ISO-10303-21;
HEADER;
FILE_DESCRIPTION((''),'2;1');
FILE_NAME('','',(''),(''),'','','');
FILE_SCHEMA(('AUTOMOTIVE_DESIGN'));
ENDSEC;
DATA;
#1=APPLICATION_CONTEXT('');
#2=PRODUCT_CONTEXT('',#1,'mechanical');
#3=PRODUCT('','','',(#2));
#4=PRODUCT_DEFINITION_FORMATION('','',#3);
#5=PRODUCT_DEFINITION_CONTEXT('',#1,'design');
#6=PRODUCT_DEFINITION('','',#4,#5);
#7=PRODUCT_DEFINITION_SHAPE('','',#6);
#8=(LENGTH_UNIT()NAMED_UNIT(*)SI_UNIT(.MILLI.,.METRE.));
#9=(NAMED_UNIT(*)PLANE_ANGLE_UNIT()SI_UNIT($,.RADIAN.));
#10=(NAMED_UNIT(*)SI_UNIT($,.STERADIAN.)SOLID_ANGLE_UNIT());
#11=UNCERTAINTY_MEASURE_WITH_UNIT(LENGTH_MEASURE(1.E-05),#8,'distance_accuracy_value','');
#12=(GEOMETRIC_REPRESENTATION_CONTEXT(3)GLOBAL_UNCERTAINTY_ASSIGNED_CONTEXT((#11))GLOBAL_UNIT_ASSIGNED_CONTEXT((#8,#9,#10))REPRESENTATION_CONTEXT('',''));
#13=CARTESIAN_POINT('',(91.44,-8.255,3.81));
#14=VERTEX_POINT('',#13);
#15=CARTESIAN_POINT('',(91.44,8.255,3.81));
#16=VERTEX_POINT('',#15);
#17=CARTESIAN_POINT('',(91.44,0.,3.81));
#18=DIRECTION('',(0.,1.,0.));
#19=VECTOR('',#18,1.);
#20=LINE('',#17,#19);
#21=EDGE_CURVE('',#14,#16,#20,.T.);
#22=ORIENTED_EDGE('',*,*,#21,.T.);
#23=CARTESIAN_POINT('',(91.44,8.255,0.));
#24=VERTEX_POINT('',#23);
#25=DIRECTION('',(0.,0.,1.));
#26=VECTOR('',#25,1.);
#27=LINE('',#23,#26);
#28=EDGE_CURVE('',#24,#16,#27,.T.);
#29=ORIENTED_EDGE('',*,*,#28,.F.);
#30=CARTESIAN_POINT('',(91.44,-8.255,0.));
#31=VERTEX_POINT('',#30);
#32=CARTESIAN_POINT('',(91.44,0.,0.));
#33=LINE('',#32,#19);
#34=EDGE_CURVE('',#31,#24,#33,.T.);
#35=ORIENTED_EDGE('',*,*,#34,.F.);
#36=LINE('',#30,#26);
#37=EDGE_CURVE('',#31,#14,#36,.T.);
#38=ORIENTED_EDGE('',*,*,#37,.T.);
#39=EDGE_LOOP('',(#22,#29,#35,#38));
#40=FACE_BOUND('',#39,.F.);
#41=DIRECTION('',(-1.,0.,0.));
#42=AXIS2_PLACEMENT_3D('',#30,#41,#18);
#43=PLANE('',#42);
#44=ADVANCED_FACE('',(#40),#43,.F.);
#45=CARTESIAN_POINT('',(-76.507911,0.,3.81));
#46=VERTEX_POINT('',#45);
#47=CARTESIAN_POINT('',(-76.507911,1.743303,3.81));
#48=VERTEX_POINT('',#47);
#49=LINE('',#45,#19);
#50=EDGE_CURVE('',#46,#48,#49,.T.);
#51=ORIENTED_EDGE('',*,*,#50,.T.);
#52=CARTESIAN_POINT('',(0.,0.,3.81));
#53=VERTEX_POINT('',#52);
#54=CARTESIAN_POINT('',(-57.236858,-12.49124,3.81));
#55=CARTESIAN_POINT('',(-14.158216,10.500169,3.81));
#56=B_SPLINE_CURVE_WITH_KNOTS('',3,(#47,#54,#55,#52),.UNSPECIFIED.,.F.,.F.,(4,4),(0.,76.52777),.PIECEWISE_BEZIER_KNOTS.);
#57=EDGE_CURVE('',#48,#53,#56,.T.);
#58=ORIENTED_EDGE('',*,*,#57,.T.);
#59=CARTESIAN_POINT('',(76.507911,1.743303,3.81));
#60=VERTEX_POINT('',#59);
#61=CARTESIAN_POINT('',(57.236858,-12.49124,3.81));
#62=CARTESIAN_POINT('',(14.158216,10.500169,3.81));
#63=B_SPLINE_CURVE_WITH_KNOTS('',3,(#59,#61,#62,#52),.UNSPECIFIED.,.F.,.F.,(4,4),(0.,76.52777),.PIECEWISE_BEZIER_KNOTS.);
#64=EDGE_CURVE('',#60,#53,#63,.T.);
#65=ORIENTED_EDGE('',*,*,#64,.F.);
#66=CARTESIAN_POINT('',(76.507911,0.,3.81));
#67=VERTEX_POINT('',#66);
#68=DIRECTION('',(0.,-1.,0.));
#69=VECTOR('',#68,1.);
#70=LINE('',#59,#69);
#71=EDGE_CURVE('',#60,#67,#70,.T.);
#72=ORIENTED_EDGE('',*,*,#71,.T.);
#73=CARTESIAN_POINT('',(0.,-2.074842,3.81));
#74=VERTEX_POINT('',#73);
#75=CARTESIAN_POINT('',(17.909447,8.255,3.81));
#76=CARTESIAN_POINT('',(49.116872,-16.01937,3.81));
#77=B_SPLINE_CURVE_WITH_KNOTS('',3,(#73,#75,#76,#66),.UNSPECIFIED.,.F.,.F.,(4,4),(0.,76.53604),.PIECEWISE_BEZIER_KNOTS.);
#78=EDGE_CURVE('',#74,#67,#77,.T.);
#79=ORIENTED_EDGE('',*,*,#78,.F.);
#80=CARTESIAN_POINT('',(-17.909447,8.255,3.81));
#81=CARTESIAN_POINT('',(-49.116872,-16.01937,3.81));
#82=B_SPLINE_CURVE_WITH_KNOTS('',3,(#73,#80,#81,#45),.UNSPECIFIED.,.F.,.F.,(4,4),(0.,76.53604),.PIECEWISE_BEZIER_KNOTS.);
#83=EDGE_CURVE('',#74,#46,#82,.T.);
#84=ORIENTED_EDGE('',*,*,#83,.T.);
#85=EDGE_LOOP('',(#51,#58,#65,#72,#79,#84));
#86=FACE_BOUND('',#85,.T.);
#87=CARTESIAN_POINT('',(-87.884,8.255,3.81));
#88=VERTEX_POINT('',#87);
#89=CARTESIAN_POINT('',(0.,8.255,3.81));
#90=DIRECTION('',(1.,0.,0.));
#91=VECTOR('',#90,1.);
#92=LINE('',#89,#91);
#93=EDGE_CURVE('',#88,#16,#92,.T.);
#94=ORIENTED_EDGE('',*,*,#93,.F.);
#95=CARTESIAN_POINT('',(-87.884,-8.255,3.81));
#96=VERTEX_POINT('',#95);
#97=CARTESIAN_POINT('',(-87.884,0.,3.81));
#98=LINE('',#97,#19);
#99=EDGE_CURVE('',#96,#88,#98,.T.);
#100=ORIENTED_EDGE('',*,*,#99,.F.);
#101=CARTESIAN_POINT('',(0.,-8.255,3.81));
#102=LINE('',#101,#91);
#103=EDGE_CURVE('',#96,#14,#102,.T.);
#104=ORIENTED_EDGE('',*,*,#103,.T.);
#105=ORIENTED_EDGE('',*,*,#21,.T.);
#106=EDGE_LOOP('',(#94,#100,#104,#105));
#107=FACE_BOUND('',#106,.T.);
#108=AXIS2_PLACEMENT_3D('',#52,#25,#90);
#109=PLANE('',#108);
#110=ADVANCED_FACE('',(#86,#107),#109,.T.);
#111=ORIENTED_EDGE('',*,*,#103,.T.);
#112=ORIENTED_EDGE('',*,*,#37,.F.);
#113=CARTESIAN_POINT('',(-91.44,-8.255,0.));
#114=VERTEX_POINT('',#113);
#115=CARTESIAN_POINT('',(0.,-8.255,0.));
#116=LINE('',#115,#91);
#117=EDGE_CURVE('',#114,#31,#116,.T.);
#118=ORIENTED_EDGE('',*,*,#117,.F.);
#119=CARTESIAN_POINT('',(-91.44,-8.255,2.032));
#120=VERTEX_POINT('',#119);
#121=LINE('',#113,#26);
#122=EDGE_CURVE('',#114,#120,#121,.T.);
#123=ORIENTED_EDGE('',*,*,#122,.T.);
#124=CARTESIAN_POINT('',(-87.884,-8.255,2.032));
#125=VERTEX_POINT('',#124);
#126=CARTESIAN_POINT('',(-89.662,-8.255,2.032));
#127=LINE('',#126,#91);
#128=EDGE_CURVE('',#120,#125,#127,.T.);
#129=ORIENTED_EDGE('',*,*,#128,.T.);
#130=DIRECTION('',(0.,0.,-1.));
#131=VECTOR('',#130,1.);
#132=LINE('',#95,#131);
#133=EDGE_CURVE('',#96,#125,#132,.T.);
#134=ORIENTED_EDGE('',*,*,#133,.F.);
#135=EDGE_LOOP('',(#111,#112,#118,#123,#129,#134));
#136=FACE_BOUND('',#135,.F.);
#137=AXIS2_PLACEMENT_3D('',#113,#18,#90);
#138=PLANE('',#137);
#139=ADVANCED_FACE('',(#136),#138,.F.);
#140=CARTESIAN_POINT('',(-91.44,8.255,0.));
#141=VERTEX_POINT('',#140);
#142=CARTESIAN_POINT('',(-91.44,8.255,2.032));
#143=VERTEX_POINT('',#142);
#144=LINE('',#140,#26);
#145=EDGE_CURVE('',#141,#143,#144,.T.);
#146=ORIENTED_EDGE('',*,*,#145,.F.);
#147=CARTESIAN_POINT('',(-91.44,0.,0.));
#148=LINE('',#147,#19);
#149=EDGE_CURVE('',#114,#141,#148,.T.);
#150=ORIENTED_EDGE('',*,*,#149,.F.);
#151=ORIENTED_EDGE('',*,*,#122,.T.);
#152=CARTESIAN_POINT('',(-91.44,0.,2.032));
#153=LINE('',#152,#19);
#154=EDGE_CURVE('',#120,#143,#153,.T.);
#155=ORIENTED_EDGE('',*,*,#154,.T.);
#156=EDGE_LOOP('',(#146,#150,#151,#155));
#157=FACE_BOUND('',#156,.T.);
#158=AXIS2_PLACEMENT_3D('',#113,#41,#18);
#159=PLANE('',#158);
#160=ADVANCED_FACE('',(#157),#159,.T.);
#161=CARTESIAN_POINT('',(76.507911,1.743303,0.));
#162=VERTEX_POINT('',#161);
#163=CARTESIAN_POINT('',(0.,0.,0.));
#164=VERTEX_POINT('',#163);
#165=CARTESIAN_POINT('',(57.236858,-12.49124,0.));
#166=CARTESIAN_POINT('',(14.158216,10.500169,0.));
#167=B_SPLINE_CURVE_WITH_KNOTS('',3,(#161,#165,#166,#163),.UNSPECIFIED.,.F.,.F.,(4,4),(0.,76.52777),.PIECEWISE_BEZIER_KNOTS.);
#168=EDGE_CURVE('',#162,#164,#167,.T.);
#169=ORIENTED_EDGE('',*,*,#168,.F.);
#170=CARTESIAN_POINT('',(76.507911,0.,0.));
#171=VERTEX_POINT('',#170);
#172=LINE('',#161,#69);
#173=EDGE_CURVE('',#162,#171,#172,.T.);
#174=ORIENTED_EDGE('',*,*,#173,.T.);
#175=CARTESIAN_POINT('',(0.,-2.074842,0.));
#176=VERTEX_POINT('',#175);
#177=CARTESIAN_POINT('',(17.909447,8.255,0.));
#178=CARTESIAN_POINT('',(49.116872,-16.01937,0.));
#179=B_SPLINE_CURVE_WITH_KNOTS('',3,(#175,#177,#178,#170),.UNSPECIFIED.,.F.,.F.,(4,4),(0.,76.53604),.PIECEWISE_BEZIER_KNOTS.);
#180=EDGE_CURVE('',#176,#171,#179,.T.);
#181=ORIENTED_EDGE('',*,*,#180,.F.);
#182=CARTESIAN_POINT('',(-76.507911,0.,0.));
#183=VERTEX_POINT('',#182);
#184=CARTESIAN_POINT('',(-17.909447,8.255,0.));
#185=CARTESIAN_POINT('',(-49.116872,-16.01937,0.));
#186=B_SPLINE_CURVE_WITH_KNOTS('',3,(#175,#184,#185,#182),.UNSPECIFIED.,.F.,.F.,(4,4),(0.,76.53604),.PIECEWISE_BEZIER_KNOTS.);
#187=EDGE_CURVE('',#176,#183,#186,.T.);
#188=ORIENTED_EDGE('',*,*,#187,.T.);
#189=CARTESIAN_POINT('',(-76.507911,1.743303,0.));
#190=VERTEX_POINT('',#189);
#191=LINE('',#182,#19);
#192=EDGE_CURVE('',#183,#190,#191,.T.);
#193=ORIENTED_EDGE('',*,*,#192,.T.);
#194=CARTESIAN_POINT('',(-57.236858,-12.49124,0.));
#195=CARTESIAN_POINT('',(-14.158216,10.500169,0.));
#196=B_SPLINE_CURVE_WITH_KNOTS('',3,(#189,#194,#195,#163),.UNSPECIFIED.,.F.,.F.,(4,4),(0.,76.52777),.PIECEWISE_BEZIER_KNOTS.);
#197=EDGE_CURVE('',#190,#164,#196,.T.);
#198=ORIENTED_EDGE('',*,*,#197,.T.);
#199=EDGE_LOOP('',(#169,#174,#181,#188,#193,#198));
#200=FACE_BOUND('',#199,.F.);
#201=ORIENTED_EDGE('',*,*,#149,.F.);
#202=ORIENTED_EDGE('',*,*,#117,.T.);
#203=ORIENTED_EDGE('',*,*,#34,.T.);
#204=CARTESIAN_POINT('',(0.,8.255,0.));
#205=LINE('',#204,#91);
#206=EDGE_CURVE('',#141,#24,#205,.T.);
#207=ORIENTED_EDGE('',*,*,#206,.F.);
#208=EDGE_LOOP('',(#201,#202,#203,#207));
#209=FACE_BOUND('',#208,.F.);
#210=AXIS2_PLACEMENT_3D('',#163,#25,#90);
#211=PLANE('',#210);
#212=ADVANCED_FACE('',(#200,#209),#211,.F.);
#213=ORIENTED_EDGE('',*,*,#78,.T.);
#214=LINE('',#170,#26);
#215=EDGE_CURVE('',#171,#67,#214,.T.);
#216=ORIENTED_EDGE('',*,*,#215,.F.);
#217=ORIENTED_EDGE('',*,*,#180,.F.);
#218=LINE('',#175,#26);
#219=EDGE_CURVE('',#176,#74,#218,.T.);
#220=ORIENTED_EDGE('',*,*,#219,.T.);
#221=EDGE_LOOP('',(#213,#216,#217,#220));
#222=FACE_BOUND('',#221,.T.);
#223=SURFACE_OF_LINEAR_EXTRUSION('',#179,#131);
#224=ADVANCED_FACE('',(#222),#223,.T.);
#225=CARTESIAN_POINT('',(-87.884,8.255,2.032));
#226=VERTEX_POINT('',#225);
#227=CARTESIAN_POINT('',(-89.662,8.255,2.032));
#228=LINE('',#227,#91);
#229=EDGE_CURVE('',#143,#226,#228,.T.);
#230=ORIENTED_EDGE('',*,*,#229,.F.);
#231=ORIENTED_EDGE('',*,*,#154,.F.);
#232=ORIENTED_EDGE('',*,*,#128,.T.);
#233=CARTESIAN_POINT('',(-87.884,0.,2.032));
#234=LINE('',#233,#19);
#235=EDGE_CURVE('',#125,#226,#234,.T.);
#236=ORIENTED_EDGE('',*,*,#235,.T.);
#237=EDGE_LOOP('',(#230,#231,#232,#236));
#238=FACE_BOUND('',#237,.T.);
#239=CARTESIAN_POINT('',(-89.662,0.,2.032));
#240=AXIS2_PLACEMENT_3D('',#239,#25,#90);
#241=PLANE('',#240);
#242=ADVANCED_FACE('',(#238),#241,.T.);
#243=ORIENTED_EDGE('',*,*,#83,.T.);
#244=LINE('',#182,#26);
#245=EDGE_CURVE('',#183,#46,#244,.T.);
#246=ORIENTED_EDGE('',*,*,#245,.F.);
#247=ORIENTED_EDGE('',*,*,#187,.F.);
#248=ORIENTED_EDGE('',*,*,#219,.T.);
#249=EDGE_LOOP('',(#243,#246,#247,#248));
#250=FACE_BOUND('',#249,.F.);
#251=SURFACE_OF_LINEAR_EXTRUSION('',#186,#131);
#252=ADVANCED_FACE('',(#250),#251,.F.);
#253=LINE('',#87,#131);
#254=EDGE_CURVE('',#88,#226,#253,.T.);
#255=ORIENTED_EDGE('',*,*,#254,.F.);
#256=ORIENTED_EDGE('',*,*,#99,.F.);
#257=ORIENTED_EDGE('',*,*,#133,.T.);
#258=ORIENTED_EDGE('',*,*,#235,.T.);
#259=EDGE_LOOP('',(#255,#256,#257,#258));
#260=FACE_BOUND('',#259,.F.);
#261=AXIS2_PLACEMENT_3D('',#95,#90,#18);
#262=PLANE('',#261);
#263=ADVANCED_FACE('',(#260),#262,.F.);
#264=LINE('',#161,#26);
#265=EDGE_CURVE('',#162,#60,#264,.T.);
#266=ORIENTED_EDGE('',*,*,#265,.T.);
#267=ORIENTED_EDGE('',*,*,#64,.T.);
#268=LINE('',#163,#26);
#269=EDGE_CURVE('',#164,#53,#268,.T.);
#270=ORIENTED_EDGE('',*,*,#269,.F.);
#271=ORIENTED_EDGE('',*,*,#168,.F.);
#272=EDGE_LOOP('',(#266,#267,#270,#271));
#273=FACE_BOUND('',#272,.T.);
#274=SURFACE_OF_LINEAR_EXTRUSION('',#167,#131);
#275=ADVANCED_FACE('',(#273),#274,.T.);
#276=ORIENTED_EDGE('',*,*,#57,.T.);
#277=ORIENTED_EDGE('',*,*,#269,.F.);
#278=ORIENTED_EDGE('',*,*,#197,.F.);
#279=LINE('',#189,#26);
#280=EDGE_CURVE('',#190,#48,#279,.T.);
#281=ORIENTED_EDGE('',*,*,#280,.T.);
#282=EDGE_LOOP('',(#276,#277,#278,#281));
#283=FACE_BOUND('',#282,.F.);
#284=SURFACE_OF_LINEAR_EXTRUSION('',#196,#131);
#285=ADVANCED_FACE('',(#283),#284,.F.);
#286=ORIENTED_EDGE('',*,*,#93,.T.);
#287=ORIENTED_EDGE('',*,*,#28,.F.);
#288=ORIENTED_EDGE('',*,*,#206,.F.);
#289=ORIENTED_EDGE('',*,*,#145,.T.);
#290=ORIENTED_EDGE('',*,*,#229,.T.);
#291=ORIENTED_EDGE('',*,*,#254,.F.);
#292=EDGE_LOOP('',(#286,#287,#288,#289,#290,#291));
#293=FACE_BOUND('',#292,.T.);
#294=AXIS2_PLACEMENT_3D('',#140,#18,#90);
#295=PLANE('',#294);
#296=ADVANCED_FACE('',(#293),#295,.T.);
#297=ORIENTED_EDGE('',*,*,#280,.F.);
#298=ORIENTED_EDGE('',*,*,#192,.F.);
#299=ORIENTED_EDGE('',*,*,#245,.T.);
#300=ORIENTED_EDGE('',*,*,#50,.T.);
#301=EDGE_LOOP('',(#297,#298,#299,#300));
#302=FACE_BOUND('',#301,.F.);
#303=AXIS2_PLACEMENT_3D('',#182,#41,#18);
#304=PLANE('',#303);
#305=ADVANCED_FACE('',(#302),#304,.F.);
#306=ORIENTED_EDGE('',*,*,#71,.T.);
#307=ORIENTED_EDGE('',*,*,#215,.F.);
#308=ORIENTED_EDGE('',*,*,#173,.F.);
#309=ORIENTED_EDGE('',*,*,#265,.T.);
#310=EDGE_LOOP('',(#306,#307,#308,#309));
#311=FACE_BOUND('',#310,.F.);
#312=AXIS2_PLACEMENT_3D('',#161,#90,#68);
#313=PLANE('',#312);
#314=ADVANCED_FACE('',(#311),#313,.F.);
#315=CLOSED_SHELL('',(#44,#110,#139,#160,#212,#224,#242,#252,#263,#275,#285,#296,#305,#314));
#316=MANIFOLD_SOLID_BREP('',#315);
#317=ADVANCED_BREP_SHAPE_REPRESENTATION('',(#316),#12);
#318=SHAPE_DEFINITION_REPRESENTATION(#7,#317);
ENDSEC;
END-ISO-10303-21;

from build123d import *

# Parameters (mm, degrees)
F0_W     = 182.88
F0_H     = 16.51
F1_DEPTH = 3.81
F2_W     = 3.556
F2_H     = 16.51
F3_DEPTH = 1.778


with BuildPart() as f1:
    # F0 (on Top) → F1 (new body)
    with BuildSketch(Plane.XY):
        Rectangle(F0_W, F0_H)
        with BuildLine():
            add(Edge.make_bspline(
                [(0, -2.074842), (17.909447, 8.255), (49.116872, -16.01937), (76.507911, 0)],
                knots=[0, 0, 0, 0, 76.53604, 76.53604, 76.53604, 76.53604], degree=3))
            add(Edge.make_bspline(
                [(0, -2.074842), (-17.909447, 8.255), (-49.116872, -16.01937), (-76.507911, 0)],
                knots=[0, 0, 0, 0, 76.53604, 76.53604, 76.53604, 76.53604], degree=3))
            Line((-76.507911, 0), (-76.507911, 1.743303))
            add(Edge.make_bspline(
                [(-76.507911, 1.743303), (-57.236858, -12.49124), (-14.158216, 10.500169), (0, 0)],
                knots=[0, 0, 0, 0, 76.52777, 76.52777, 76.52777, 76.52777], degree=3))
            add(Edge.make_bspline(
                [(76.507911, 1.743303), (57.236858, -12.49124), (14.158216, 10.500169), (0, 0)],
                knots=[0, 0, 0, 0, 76.52777, 76.52777, 76.52777, 76.52777], degree=3))
            Line((76.507911, 1.743303), (76.507911, 0))
        make_face(mode=Mode.SUBTRACT)
    extrude(amount=F1_DEPTH)

    # F2 (on face) → F3 (cut)
    with BuildSketch(Plane.XY.offset(3.81)):
        with Locations((-89.662, 0)):
            Rectangle(F2_W, F2_H)
    extrude(amount=-F3_DEPTH, mode=Mode.SUBTRACT)


solid = f1.part
